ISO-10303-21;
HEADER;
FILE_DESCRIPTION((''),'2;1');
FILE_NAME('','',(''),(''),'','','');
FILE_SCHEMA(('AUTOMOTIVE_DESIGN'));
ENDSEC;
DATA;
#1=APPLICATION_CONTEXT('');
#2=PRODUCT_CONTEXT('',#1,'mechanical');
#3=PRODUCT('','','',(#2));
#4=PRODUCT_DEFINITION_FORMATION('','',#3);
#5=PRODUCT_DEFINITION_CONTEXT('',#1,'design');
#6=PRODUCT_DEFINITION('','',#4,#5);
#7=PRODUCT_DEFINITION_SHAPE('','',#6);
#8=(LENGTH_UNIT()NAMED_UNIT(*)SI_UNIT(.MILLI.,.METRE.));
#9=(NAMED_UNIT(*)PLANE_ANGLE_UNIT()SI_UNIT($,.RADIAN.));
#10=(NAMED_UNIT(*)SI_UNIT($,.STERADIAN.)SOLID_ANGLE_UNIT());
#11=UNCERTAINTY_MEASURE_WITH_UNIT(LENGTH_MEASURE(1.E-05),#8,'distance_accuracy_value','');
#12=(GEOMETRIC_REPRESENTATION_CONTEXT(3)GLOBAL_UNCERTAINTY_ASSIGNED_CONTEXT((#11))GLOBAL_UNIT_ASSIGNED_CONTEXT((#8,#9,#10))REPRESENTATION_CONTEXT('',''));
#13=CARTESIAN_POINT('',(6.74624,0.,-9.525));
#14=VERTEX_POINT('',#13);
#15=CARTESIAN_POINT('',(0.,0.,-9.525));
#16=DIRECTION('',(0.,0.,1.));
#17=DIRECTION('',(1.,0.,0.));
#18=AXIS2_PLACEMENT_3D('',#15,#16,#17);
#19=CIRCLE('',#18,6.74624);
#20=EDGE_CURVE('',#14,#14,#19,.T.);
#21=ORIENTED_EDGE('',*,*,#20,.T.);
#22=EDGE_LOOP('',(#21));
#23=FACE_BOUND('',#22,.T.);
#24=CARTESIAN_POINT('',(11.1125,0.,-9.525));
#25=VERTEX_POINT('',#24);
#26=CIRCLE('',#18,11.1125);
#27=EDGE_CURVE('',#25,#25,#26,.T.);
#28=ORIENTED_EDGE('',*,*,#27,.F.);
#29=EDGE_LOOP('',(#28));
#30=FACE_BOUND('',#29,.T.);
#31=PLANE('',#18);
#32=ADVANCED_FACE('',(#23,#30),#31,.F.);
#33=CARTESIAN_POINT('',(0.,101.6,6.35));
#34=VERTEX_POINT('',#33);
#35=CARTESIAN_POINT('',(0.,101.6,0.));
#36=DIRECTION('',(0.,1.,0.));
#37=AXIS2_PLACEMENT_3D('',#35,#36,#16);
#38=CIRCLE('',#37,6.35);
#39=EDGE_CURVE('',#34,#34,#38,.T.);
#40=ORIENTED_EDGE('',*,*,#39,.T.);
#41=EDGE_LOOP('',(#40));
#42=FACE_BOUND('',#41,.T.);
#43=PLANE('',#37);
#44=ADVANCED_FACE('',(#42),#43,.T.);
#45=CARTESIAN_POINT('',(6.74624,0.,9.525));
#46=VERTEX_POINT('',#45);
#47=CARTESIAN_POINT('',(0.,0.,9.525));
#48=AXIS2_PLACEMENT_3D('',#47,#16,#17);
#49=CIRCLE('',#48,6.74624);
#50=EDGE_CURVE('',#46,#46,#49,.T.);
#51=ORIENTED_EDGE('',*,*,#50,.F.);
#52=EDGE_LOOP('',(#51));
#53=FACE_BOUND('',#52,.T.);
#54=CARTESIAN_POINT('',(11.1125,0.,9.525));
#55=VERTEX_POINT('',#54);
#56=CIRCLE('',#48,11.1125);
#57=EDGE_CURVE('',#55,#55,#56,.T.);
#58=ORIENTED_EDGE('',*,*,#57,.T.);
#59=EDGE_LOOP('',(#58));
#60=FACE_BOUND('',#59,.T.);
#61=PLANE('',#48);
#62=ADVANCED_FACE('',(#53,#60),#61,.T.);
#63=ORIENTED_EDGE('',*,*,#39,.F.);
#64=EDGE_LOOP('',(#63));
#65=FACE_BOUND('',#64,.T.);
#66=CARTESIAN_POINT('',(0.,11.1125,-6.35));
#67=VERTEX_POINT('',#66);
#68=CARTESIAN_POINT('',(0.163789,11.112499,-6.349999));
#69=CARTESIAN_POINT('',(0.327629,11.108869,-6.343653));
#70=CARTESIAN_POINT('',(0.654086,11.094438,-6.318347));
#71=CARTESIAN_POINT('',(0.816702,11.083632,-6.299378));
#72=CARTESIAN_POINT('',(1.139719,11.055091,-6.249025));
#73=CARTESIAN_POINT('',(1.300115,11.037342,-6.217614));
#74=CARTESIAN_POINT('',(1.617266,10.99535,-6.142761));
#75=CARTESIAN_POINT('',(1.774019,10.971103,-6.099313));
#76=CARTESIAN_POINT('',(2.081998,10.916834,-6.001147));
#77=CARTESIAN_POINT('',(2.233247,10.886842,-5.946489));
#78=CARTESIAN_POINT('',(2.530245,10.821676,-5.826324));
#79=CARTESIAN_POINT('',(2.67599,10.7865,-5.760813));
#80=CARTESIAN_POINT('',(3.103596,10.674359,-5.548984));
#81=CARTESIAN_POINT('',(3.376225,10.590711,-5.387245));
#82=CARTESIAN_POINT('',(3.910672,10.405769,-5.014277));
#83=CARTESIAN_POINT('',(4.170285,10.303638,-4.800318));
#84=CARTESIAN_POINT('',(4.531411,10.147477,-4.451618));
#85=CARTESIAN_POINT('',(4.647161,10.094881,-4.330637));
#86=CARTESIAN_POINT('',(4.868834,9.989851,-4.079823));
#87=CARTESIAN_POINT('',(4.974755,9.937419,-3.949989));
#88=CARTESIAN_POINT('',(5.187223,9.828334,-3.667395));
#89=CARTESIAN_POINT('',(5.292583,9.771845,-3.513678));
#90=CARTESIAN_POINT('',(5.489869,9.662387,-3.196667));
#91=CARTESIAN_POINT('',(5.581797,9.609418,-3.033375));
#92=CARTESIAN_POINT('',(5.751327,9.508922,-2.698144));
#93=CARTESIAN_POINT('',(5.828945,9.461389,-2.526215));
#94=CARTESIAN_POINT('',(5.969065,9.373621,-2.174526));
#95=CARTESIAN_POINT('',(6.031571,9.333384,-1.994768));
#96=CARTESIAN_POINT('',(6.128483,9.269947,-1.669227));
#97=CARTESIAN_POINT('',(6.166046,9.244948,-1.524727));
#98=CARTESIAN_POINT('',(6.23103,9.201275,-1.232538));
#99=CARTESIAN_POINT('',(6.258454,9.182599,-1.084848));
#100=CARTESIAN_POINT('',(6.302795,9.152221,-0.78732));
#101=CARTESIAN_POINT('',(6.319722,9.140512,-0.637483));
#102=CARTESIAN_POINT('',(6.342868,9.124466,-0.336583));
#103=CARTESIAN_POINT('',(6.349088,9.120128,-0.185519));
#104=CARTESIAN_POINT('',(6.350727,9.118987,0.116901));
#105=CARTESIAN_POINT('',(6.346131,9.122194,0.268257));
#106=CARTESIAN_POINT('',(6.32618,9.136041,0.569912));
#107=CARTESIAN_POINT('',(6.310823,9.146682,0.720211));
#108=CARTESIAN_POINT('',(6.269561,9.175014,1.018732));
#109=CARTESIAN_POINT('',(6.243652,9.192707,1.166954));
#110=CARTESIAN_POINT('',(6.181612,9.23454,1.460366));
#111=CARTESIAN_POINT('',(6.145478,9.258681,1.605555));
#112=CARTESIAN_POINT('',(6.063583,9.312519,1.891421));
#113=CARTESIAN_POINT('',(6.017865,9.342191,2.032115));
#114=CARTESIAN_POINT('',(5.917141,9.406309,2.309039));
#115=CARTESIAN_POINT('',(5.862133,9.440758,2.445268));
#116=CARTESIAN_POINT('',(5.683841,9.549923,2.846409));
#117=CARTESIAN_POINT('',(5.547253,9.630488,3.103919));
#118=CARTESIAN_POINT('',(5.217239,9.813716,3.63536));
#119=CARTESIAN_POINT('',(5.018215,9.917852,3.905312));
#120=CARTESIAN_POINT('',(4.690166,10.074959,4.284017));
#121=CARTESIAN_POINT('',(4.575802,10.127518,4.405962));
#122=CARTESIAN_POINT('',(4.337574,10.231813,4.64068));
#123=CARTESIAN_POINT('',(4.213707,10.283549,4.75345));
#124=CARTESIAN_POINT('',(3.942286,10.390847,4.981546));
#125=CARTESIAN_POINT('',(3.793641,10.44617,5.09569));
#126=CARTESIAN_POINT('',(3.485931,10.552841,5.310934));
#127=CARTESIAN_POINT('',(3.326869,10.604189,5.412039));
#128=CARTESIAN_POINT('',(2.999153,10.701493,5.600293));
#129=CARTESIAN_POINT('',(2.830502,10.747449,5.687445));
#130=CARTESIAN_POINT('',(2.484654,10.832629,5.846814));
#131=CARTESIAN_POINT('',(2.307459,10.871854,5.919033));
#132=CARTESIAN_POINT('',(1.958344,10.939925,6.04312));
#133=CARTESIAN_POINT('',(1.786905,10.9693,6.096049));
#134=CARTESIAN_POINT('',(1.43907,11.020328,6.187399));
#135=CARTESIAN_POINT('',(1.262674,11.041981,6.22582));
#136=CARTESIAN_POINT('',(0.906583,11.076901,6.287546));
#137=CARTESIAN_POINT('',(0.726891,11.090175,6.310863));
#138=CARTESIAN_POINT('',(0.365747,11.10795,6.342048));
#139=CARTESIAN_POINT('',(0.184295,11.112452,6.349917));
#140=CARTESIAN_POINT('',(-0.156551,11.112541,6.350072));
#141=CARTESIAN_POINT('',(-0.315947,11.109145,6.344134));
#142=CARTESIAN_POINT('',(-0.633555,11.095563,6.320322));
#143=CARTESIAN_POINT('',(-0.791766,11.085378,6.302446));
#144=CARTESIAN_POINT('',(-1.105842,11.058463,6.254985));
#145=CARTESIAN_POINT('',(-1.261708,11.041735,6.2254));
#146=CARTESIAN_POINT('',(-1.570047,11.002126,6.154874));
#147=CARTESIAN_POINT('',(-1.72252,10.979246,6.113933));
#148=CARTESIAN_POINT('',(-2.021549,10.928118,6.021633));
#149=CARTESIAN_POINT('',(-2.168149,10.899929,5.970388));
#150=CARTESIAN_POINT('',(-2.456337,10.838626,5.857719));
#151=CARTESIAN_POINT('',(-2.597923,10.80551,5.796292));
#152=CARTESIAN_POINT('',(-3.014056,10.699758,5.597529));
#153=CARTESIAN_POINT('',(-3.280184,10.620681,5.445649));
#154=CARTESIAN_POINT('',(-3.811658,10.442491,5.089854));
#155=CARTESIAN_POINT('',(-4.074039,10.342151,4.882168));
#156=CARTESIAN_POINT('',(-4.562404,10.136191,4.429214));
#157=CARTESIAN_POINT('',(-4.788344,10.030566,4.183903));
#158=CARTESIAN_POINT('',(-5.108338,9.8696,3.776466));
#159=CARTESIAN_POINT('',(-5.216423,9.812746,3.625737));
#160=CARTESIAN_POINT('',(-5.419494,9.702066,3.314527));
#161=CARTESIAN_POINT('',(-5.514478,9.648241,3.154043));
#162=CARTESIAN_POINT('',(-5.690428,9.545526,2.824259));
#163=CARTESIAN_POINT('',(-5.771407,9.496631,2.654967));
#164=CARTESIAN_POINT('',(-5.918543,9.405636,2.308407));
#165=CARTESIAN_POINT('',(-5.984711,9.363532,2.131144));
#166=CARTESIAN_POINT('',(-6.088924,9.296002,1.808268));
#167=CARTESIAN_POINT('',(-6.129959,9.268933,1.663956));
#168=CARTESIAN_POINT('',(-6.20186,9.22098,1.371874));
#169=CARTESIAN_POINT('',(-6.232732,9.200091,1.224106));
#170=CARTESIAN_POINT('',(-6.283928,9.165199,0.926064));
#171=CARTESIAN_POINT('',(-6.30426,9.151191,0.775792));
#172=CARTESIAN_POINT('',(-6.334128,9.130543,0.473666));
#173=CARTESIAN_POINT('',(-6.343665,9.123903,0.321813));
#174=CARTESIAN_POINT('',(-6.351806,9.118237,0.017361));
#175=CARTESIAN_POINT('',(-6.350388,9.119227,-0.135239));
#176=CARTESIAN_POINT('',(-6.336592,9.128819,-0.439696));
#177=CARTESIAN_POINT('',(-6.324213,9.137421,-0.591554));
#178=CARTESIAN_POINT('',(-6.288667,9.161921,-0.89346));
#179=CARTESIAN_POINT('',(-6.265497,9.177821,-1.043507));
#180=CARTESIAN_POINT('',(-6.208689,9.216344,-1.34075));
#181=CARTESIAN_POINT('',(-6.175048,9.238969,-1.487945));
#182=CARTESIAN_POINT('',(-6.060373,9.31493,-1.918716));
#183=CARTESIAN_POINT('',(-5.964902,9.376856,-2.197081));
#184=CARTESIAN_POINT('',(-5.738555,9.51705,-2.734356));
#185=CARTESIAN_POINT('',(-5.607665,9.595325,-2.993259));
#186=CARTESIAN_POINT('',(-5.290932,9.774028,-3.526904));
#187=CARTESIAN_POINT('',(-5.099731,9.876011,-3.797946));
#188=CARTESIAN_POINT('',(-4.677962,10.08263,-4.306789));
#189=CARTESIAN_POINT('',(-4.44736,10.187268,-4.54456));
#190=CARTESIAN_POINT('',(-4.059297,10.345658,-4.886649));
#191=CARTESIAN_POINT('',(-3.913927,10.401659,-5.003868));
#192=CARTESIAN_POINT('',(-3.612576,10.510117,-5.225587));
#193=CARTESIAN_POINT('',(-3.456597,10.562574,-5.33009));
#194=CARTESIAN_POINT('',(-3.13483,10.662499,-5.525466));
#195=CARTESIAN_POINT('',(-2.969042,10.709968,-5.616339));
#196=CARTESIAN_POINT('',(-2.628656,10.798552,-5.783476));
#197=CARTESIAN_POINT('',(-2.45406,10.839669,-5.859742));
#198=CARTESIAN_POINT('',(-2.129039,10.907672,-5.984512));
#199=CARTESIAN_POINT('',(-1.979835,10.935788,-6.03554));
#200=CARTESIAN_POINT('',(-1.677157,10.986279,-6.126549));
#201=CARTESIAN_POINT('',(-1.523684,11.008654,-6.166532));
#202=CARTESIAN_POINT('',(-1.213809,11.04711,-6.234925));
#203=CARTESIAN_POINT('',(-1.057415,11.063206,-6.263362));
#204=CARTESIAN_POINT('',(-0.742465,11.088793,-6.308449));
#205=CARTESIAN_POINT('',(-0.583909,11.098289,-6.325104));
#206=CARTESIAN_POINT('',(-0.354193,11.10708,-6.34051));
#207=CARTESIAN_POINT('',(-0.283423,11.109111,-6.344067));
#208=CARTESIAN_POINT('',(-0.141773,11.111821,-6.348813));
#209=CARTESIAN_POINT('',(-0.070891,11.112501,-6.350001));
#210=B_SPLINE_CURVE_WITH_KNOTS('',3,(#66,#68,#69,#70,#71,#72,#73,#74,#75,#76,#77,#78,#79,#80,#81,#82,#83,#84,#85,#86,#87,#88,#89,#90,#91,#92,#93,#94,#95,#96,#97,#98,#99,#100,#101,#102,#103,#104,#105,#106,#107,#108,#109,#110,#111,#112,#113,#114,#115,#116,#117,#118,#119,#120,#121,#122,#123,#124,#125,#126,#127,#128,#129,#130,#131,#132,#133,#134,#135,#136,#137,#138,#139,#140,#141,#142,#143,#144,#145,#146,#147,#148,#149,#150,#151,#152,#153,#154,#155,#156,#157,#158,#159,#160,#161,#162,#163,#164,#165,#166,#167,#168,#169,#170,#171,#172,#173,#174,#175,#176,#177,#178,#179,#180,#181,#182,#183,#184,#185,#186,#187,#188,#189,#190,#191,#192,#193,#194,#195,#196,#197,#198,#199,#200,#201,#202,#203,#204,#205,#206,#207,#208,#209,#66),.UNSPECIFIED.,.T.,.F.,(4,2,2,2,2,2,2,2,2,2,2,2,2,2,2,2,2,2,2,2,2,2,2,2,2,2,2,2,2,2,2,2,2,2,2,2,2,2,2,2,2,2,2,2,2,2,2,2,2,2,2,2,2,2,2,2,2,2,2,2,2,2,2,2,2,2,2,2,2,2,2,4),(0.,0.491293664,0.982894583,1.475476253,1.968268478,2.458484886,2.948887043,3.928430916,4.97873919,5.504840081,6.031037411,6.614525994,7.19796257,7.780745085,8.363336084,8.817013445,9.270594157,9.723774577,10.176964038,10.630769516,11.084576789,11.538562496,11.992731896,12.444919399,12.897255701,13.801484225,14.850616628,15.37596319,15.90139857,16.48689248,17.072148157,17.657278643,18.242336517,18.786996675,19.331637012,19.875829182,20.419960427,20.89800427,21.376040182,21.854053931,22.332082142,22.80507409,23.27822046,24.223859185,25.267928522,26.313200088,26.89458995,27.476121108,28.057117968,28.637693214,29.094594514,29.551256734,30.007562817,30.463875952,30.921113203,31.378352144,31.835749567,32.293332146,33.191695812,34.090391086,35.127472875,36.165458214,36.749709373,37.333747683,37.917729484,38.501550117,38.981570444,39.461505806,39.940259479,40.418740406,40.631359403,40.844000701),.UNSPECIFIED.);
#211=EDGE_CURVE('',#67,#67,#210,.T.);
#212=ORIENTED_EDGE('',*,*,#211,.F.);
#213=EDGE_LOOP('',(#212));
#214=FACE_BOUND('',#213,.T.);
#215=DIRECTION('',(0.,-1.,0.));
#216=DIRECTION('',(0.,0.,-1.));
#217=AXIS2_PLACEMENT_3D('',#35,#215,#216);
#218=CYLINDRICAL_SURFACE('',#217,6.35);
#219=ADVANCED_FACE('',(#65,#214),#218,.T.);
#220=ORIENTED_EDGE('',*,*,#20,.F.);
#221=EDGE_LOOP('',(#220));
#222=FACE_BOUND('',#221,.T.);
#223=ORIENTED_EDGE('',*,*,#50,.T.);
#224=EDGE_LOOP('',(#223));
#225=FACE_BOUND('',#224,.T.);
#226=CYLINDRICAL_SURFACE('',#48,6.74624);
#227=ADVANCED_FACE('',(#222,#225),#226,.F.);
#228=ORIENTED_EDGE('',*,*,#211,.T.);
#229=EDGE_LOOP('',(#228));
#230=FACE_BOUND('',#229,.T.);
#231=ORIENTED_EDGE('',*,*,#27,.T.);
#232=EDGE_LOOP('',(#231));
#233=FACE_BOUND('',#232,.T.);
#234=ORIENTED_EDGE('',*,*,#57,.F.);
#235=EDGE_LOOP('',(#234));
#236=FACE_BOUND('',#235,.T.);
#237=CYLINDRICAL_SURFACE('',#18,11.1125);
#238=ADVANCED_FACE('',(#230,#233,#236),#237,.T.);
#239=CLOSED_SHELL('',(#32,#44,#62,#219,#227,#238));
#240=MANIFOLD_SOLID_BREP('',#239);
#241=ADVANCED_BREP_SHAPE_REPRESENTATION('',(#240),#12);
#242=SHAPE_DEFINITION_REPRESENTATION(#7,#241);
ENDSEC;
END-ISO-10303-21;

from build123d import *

# Parameters (mm, degrees)
BOSS_EXTRUDE1_DEPTH         = 9.525
BOSS_EXTRUDE1_DEPTH_BACK    = 9.525
SKETCH1_R                   = 11.1125
SKETCH2_R                   = 6.35
BOSS_EXTRUDE2_DEPTH         = 101.6
F_1_2_CLEARANCE_HOLE1_D     = 13.49248
F_1_2_CLEARANCE_HOLE1_DEPTH = 63.5
F_1_2_CLEARANCE_HOLE1_TIP   = 4.053549943


with BuildPart() as part:
    # Sketch1 → Boss-Extrude1 (new, two sides: drawn at the far end of the back side and taken through both)
    with BuildSketch(Plane.XY.offset(-BOSS_EXTRUDE1_DEPTH_BACK)):
        Circle(SKETCH1_R)
    extrude(amount=BOSS_EXTRUDE1_DEPTH + BOSS_EXTRUDE1_DEPTH_BACK)

    # Sketch2 → Boss-Extrude2 (add)
    with BuildSketch(Plane(origin=(0, 0, 0), x_dir=(1, 0, 0), z_dir=(0, 1, 0))):
        Circle(SKETCH2_R)
    extrude(amount=BOSS_EXTRUDE2_DEPTH)

    # 1/2 Clearance Hole1
    with Locations(Plane.XY.offset(9.525)):
        with Locations((0, 0)):
            Hole(F_1_2_CLEARANCE_HOLE1_D / 2, depth=F_1_2_CLEARANCE_HOLE1_DEPTH)
            with Locations((0, 0, -(F_1_2_CLEARANCE_HOLE1_DEPTH + F_1_2_CLEARANCE_HOLE1_TIP / 2))):  # 118° drill point
                Cone(0, F_1_2_CLEARANCE_HOLE1_D / 2, F_1_2_CLEARANCE_HOLE1_TIP, mode=Mode.SUBTRACT)


solid = part.part
